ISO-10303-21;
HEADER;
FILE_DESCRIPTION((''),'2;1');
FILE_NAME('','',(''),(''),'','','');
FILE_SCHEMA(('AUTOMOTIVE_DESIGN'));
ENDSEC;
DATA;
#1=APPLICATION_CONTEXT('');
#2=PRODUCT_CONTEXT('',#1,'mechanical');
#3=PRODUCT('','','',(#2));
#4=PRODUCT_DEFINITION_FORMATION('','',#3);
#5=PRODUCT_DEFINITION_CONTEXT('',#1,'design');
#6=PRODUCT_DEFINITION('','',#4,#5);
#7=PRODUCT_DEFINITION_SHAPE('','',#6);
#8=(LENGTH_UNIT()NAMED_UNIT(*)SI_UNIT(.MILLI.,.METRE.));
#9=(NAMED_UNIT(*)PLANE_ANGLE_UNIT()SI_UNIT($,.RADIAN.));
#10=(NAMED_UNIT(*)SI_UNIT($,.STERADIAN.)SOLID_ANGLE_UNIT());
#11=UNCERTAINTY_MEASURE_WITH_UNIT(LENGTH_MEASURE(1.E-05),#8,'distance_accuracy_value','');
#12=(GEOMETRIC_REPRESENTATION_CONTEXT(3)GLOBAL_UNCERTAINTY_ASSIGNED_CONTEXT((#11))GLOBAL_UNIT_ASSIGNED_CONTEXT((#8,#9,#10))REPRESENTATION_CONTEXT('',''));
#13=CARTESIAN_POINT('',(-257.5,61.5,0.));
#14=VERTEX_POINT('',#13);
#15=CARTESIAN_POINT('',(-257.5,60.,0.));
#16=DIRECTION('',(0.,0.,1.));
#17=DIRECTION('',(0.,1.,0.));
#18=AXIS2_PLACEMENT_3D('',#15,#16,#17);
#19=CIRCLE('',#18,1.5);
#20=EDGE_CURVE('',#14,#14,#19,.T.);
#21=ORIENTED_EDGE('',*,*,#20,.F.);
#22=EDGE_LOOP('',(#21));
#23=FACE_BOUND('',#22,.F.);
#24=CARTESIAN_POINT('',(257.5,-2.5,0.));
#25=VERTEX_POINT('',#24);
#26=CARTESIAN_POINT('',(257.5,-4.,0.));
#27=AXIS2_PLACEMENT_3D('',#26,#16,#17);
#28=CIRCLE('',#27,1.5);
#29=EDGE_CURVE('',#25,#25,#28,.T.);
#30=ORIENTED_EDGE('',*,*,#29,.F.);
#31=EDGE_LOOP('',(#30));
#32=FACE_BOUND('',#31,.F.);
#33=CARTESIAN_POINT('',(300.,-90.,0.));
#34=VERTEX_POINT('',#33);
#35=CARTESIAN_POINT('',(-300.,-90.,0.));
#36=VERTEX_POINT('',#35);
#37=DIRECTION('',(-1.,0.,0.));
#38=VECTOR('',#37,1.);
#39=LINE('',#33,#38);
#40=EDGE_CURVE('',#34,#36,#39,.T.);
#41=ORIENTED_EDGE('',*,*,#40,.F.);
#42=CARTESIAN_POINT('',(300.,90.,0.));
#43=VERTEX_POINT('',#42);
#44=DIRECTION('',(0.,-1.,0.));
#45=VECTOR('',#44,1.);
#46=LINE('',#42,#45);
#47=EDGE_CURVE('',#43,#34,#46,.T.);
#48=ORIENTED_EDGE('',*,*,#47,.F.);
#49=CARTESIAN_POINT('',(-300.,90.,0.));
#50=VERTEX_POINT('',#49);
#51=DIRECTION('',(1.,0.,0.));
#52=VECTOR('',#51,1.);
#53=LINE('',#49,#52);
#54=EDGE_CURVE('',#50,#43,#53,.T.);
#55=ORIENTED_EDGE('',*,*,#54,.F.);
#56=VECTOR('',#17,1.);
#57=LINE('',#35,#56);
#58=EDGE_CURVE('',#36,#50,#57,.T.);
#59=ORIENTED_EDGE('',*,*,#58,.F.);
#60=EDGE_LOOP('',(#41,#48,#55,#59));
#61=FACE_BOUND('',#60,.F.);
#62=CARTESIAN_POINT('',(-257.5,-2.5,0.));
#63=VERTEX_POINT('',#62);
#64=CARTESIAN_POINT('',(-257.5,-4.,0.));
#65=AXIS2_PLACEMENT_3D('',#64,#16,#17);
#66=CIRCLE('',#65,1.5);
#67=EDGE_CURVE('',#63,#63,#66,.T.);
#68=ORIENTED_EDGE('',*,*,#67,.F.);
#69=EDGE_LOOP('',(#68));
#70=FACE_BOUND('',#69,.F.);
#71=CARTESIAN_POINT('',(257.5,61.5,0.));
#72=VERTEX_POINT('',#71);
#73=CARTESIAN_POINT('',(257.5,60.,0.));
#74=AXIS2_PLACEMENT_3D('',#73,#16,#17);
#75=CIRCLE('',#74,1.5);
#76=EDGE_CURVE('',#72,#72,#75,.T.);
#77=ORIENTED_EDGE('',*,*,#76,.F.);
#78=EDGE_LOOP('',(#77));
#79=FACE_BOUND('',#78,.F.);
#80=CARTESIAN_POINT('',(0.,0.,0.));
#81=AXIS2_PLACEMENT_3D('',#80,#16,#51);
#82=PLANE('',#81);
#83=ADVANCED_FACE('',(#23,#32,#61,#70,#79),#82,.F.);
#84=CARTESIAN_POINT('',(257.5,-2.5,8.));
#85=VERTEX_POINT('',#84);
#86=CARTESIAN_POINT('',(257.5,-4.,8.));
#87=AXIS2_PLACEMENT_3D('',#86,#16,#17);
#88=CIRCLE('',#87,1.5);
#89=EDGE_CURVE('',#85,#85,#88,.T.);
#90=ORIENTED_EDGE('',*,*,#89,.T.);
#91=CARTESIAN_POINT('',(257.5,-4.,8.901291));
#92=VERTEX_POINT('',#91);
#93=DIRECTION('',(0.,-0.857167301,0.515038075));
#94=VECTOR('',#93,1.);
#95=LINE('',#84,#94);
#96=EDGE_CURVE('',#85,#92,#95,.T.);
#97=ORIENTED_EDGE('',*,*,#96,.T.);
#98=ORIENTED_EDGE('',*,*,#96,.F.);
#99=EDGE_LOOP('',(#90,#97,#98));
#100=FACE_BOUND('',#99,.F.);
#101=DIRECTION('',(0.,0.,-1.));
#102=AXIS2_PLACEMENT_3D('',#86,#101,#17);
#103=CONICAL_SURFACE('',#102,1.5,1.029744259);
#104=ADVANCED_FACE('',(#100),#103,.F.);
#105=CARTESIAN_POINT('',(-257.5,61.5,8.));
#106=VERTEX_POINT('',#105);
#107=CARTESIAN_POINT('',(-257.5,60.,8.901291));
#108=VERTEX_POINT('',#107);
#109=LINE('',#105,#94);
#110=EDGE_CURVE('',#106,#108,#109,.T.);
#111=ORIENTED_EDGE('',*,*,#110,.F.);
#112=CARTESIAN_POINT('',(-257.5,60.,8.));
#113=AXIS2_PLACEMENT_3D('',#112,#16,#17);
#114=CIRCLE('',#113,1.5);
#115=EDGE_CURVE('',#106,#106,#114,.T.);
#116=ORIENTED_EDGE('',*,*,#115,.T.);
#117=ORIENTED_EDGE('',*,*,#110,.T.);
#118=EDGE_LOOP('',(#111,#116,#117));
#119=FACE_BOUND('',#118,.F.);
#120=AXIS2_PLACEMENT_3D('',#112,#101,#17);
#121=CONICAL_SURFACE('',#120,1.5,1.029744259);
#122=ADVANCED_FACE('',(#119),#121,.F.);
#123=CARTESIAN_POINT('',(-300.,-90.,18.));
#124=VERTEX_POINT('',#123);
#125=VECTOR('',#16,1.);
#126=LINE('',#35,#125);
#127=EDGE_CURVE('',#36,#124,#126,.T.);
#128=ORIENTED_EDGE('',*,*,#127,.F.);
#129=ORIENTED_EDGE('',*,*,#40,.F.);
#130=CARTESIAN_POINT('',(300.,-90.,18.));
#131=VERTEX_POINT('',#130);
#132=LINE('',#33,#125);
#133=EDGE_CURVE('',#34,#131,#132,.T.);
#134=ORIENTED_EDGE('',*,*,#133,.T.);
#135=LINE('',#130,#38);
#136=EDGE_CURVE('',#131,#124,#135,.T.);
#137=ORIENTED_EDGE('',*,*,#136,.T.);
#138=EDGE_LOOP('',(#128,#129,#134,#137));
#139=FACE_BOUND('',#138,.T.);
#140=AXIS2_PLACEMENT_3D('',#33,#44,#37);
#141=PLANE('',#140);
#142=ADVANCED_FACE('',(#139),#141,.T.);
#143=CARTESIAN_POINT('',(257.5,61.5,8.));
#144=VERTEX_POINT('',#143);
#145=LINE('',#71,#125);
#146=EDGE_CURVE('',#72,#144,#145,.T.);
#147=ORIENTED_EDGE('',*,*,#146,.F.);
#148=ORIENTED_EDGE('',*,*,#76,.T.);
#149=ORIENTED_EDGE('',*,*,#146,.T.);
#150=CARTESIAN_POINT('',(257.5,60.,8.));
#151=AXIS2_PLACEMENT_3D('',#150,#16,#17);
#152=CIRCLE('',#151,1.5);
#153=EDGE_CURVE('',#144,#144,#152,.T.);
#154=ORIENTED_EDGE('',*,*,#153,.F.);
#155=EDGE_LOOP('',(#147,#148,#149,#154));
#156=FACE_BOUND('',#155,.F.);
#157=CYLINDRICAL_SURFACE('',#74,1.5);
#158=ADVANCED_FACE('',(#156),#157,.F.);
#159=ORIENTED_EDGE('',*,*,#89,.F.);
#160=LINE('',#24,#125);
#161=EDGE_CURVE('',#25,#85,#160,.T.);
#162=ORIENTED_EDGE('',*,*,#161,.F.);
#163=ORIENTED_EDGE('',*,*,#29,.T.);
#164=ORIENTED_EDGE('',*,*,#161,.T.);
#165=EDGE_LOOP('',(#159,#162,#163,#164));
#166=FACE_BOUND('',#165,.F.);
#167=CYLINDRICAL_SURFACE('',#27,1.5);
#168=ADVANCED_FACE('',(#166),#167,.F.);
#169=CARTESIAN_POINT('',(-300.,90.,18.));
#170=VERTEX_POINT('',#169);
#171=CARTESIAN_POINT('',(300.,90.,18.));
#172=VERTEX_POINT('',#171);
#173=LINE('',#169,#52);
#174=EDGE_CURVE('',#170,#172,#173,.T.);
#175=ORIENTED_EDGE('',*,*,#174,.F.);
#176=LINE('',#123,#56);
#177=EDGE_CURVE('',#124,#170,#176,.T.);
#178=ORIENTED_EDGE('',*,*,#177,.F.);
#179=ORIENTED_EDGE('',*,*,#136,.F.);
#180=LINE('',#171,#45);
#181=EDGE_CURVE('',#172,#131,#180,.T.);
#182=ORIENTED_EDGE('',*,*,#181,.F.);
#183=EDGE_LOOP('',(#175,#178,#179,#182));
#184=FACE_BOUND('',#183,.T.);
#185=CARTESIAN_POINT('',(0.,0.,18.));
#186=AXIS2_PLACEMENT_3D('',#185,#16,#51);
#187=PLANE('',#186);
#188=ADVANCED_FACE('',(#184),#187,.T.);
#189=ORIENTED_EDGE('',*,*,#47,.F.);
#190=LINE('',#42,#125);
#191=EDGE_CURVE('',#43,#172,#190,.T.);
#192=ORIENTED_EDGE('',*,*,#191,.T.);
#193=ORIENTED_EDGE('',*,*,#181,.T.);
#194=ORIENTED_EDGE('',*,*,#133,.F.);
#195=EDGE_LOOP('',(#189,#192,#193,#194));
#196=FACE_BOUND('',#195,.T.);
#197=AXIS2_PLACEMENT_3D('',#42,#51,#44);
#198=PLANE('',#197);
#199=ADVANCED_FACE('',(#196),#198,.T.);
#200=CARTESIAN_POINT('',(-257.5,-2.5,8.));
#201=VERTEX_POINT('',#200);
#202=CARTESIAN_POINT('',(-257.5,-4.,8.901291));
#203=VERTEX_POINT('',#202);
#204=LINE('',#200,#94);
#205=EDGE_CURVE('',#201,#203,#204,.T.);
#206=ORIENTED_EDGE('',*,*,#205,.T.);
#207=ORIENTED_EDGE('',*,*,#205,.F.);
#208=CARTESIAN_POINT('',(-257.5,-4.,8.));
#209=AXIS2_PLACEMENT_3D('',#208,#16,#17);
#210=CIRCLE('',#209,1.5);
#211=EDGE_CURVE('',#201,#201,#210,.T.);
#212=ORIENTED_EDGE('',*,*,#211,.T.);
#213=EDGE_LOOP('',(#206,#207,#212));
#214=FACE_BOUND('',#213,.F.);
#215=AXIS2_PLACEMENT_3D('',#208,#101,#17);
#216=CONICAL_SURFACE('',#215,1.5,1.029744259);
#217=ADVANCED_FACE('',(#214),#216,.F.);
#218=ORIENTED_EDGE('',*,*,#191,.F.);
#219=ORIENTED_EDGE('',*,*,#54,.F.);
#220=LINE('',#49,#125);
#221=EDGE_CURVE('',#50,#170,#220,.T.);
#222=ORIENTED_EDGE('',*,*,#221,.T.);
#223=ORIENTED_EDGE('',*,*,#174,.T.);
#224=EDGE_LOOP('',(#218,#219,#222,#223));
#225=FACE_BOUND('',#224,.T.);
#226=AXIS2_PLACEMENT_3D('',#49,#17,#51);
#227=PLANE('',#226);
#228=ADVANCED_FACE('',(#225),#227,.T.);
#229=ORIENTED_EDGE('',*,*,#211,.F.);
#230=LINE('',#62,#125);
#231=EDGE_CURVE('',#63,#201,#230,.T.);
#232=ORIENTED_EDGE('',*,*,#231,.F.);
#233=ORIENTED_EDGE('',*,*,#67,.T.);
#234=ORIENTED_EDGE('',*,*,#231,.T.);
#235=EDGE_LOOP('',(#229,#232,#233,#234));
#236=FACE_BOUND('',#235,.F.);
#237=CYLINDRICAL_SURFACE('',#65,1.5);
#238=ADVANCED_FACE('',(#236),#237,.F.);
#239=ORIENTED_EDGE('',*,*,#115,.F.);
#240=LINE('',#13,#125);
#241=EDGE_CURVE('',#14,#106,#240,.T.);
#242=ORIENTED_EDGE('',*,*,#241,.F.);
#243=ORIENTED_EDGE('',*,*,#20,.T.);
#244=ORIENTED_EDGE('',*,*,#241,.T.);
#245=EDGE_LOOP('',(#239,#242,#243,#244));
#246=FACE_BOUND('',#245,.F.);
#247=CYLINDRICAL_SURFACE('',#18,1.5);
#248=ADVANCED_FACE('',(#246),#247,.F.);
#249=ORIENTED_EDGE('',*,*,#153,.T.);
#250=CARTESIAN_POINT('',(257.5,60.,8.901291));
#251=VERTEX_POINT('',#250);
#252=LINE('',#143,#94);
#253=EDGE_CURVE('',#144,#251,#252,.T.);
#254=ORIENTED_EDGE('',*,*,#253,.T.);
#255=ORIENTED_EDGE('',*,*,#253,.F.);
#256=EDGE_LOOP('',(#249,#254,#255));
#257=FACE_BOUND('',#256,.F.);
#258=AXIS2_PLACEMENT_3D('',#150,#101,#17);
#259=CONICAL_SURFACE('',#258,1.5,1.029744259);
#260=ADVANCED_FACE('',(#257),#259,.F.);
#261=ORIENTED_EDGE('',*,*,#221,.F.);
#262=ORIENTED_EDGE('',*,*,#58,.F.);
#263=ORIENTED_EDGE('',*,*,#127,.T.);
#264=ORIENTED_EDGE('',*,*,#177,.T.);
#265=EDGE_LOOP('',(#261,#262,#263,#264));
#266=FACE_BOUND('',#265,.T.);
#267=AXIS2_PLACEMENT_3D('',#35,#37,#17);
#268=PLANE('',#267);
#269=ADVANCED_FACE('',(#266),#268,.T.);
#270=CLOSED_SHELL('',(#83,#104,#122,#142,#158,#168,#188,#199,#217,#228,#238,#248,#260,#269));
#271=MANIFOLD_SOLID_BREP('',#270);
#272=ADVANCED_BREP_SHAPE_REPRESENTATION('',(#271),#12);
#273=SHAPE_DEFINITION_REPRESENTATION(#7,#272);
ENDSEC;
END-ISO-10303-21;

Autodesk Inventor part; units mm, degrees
ref_plane "YZ Plane" through (0, 0, 0) normal (1, 0, 0) x (0, 1, 0)
ref_plane "XZ Plane" through (0, 0, 0) normal (0, 1, 0) x (-1, 0, 0)
ref_plane "XY Plane" through (0, 0, 0) normal (0, 0, 1) x (1, 0, 0)
sketch "Szkic1" plane through (0, 0, 0) normal (0, 0, 1) x (1, 0, 0)
  line L0 (300, -90) -> (-300, -90)
  line L1 (-300, -90) -> (-300, 90)
  line L2 (-300, 90) -> (300, 90)
  line L3 (300, 90) -> (300, -90)
  line L4 (300, -90) -> (-300, 90) construction
  line L5 (-300, -90) -> (300, 90) construction
  line L6 (0, 0) -> (0, 28) construction
  line L7 (257.5, 60) -> (-257.5, 60) construction
  line L8 (-257.5, 60) -> (-257.5, -4) construction
  line L9 (-257.5, -4) -> (257.5, -4) construction
  line L10 (257.5, -4) -> (257.5, 60) construction
  line L11 (257.5, 60) -> (-257.5, -4) construction
  line L12 (-257.5, 60) -> (257.5, -4) construction
  dimension "d0" = 600
  dimension "d2" = 180
  dimension "d3" = 515
  dimension "d4" = 64
  dimension "d5" = 30
extrude "Wyciągnięcie proste1" add sketch "Szkic1" along normal blind 18
hole "Otwór1" at (-257.5, 60, 0) at (-257.5, -4, 0) at (257.5, 60, 0) at (257.5, -4, 0) direction (0, 0, 1) diameter 3 depth 8 tip angle 118
properties part number "front szuflady 150mm"
